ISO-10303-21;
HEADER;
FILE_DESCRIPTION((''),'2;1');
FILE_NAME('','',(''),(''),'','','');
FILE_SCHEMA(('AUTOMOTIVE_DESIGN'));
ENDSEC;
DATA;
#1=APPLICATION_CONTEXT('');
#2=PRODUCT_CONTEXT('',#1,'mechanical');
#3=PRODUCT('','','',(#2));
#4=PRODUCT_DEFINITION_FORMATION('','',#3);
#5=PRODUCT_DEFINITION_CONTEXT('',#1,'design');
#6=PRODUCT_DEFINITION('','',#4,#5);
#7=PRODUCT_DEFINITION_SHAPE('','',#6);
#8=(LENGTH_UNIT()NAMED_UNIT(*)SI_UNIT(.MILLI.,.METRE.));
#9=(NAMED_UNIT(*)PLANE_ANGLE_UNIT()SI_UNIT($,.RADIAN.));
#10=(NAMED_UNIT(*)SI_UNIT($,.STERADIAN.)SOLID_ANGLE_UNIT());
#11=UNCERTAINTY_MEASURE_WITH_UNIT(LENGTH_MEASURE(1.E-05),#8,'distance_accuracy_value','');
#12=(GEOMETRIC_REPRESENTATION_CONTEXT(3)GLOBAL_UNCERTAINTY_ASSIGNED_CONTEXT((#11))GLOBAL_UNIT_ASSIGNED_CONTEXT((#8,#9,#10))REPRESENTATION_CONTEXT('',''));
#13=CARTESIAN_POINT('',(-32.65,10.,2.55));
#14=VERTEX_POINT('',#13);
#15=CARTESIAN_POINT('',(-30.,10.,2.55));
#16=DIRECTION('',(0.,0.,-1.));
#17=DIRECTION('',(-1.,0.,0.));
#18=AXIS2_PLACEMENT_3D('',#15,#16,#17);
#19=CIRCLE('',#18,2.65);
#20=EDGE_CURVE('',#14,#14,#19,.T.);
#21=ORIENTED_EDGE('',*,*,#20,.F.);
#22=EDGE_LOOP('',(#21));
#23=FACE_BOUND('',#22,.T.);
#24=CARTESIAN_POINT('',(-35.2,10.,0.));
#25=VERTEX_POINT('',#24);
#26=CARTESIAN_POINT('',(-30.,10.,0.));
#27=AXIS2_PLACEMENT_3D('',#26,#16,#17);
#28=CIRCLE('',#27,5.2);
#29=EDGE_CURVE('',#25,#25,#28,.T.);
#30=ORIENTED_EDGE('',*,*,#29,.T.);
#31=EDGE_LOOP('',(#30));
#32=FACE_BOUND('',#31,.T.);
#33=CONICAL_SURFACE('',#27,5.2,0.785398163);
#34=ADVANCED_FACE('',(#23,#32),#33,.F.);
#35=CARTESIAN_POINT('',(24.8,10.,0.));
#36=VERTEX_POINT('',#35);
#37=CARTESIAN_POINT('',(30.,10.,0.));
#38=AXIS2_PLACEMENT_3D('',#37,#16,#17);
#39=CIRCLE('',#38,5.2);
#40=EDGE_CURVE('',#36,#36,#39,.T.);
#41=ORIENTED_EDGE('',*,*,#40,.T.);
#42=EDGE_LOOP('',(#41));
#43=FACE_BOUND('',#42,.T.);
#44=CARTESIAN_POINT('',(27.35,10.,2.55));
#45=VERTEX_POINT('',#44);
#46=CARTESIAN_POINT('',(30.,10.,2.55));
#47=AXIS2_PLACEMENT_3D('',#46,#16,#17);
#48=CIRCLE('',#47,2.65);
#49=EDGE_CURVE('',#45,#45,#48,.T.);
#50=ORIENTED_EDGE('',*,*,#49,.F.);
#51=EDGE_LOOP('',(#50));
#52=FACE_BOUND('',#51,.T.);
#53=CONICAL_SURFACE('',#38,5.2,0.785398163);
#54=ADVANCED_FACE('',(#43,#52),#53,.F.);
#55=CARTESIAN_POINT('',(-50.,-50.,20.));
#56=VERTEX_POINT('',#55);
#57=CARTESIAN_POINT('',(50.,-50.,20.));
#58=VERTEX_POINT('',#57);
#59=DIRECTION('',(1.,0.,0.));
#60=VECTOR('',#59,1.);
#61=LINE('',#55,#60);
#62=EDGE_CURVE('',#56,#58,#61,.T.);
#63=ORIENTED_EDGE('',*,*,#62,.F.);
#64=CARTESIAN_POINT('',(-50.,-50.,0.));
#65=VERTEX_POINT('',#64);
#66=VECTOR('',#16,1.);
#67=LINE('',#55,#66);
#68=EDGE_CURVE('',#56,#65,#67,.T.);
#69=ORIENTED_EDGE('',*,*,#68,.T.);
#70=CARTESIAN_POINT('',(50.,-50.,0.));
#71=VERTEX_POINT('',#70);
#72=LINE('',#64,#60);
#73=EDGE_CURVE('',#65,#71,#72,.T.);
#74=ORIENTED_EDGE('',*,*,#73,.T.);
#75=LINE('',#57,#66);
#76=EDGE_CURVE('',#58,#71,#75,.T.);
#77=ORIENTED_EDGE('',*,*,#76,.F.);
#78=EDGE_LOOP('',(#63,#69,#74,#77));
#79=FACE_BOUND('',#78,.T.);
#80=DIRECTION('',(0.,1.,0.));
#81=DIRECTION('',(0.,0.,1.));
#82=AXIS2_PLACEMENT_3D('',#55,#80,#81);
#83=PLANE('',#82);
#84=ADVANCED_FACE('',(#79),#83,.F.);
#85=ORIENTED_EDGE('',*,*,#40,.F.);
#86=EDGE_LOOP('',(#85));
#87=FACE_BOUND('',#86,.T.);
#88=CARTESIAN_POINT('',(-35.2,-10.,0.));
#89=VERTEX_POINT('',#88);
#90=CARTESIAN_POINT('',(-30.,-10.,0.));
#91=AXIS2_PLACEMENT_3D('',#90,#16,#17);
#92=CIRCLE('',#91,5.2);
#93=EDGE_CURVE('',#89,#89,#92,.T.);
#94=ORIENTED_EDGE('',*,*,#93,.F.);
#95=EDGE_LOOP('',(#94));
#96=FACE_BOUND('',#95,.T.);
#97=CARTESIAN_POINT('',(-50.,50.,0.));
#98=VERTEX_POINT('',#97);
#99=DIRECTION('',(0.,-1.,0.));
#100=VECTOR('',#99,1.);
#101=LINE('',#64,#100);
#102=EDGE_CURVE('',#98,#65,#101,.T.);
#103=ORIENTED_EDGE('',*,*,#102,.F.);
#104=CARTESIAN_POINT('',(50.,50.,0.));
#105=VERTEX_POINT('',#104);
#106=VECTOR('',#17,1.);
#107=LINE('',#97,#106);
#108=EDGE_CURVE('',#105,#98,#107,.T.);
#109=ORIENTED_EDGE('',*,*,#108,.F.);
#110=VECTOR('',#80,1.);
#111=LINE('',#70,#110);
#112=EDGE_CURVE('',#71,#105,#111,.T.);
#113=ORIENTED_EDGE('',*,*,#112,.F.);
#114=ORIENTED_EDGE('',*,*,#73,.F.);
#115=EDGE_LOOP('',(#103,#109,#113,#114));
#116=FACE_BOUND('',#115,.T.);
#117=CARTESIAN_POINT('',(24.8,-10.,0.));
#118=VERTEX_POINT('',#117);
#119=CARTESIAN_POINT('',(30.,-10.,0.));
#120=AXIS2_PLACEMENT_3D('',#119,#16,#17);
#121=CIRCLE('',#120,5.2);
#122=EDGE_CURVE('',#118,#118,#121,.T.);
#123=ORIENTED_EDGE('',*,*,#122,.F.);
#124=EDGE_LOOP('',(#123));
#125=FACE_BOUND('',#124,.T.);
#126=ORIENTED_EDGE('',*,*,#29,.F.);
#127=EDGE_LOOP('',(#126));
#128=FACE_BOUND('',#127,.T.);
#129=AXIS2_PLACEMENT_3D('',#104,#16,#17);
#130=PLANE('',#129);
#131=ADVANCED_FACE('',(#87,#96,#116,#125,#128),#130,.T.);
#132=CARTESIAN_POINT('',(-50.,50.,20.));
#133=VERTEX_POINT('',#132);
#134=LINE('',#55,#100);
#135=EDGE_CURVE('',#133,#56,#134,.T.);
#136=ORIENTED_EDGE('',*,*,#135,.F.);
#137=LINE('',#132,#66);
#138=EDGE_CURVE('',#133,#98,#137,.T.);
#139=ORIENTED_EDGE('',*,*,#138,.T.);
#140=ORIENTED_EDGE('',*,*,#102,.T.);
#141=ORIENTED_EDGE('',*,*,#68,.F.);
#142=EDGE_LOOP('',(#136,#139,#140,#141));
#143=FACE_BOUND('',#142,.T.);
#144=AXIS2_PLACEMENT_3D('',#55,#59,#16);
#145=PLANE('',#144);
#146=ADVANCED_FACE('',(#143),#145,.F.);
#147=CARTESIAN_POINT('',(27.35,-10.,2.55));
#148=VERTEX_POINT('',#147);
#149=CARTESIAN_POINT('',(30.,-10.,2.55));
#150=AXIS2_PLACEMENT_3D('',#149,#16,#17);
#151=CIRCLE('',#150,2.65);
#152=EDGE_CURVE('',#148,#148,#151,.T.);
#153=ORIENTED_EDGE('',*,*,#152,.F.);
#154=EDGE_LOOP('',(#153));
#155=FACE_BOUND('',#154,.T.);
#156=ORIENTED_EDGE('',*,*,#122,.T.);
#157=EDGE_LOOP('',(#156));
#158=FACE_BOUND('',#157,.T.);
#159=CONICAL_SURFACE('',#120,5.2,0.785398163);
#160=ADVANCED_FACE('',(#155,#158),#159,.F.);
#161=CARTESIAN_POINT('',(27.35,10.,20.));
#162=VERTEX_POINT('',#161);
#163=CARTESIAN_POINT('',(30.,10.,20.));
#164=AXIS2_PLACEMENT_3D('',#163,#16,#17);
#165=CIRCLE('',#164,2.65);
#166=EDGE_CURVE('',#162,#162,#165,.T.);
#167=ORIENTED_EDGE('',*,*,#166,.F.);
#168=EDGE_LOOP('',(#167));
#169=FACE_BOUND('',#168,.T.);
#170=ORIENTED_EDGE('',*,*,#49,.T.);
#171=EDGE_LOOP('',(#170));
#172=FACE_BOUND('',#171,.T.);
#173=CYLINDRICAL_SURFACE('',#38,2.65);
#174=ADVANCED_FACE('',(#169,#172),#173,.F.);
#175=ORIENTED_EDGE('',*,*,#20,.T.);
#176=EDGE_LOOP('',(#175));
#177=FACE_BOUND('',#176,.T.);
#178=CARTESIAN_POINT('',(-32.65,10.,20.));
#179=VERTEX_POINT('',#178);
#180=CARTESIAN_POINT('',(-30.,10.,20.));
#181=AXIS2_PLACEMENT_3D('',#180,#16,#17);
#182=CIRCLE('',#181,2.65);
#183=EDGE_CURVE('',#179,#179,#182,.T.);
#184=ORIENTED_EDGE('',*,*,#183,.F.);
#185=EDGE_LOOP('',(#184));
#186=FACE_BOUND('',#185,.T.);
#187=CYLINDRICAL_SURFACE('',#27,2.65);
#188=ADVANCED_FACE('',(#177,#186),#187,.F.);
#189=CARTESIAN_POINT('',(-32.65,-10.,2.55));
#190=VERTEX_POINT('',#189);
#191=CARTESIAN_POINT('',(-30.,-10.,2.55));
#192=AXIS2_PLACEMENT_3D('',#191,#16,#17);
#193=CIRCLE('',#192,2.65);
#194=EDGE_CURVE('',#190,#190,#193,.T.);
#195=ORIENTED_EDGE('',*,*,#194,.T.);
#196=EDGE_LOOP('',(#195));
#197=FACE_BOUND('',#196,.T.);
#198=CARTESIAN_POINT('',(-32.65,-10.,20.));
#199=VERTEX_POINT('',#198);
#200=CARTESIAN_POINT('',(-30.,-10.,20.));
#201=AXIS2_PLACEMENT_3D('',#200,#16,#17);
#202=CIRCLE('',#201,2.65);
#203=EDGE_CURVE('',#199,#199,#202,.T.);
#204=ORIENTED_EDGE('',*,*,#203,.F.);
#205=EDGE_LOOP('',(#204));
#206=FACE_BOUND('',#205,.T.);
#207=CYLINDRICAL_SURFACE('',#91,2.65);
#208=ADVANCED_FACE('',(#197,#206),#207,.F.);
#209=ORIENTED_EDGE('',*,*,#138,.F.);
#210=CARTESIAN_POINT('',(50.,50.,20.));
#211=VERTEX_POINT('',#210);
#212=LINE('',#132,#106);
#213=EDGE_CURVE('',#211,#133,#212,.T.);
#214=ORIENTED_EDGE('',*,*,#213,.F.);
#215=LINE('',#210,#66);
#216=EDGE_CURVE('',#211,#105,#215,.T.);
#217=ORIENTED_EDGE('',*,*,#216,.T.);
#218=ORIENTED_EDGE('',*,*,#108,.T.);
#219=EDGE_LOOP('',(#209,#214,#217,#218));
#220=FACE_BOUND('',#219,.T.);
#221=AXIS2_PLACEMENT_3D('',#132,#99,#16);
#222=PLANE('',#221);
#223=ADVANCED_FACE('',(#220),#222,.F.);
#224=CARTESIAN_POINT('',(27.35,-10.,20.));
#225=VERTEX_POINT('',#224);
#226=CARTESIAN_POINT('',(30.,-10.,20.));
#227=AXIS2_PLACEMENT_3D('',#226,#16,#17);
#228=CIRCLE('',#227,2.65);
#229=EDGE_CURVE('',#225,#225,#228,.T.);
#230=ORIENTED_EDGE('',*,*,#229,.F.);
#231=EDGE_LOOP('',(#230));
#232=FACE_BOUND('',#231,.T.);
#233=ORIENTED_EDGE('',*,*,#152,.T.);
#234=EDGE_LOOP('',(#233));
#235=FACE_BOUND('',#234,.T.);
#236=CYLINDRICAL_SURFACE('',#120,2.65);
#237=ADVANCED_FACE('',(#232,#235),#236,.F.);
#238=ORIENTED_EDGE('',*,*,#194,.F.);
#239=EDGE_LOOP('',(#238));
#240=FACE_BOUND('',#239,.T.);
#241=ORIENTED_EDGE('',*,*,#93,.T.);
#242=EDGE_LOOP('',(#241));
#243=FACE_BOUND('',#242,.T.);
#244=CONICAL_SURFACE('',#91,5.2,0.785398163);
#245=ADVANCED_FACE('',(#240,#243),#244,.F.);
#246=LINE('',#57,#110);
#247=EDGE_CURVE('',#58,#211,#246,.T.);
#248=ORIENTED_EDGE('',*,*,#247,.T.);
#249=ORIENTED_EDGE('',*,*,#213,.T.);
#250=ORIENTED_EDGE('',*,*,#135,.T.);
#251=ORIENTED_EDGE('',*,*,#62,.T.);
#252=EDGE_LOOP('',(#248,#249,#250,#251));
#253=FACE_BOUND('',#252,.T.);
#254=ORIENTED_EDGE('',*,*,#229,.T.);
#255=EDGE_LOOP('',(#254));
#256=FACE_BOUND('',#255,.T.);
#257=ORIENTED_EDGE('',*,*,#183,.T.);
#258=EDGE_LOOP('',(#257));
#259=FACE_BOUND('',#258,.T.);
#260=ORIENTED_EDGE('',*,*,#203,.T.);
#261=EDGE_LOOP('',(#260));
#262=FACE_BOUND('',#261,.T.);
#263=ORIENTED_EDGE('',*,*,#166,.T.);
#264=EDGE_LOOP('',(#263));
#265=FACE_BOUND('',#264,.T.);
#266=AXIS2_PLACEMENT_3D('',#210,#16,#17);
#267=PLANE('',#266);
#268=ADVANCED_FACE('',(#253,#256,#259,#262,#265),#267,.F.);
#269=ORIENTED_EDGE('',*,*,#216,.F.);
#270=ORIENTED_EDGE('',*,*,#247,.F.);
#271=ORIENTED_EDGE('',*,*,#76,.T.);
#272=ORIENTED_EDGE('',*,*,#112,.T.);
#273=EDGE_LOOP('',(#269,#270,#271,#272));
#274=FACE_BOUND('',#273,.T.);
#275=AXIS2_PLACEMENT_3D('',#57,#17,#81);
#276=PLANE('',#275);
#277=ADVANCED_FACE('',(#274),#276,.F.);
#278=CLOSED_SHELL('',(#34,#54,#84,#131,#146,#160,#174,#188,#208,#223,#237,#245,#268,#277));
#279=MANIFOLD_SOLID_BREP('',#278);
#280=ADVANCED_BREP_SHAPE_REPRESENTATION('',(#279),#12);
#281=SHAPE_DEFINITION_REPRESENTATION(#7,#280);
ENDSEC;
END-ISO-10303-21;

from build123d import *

# Parameters (mm, degrees)
SKETCH1_W                                       = 100
SKETCH1_H                                       = 100
BOSS_EXTRUDE1_DEPTH                             = 20
CSK_FOR_M5_FLAT_HEAD_MACHINE_SCREW1_D           = 5.3
CSK_FOR_M5_FLAT_HEAD_MACHINE_SCREW1_CSINK_D     = 10.4
CSK_FOR_M5_FLAT_HEAD_MACHINE_SCREW1_CSINK_ANGLE = 90


with BuildPart() as part:
    # Sketch1 → Boss-Extrude1 (new body)
    with BuildSketch(Plane.XY):
        Rectangle(SKETCH1_W, SKETCH1_H)
    extrude(amount=BOSS_EXTRUDE1_DEPTH)

    # CSK for M5 Flat Head Machine Screw1 (through all)
    with Locations(Plane(origin=(0, 0, 0), x_dir=(-1, 0, 0), z_dir=(0, 0, -1))):
        with Locations((-30, 10), (30, 10), (30, -10), (-30, -10)):
            CounterSinkHole(CSK_FOR_M5_FLAT_HEAD_MACHINE_SCREW1_D / 2, CSK_FOR_M5_FLAT_HEAD_MACHINE_SCREW1_CSINK_D / 2, counter_sink_angle=CSK_FOR_M5_FLAT_HEAD_MACHINE_SCREW1_CSINK_ANGLE)


solid = part.part
